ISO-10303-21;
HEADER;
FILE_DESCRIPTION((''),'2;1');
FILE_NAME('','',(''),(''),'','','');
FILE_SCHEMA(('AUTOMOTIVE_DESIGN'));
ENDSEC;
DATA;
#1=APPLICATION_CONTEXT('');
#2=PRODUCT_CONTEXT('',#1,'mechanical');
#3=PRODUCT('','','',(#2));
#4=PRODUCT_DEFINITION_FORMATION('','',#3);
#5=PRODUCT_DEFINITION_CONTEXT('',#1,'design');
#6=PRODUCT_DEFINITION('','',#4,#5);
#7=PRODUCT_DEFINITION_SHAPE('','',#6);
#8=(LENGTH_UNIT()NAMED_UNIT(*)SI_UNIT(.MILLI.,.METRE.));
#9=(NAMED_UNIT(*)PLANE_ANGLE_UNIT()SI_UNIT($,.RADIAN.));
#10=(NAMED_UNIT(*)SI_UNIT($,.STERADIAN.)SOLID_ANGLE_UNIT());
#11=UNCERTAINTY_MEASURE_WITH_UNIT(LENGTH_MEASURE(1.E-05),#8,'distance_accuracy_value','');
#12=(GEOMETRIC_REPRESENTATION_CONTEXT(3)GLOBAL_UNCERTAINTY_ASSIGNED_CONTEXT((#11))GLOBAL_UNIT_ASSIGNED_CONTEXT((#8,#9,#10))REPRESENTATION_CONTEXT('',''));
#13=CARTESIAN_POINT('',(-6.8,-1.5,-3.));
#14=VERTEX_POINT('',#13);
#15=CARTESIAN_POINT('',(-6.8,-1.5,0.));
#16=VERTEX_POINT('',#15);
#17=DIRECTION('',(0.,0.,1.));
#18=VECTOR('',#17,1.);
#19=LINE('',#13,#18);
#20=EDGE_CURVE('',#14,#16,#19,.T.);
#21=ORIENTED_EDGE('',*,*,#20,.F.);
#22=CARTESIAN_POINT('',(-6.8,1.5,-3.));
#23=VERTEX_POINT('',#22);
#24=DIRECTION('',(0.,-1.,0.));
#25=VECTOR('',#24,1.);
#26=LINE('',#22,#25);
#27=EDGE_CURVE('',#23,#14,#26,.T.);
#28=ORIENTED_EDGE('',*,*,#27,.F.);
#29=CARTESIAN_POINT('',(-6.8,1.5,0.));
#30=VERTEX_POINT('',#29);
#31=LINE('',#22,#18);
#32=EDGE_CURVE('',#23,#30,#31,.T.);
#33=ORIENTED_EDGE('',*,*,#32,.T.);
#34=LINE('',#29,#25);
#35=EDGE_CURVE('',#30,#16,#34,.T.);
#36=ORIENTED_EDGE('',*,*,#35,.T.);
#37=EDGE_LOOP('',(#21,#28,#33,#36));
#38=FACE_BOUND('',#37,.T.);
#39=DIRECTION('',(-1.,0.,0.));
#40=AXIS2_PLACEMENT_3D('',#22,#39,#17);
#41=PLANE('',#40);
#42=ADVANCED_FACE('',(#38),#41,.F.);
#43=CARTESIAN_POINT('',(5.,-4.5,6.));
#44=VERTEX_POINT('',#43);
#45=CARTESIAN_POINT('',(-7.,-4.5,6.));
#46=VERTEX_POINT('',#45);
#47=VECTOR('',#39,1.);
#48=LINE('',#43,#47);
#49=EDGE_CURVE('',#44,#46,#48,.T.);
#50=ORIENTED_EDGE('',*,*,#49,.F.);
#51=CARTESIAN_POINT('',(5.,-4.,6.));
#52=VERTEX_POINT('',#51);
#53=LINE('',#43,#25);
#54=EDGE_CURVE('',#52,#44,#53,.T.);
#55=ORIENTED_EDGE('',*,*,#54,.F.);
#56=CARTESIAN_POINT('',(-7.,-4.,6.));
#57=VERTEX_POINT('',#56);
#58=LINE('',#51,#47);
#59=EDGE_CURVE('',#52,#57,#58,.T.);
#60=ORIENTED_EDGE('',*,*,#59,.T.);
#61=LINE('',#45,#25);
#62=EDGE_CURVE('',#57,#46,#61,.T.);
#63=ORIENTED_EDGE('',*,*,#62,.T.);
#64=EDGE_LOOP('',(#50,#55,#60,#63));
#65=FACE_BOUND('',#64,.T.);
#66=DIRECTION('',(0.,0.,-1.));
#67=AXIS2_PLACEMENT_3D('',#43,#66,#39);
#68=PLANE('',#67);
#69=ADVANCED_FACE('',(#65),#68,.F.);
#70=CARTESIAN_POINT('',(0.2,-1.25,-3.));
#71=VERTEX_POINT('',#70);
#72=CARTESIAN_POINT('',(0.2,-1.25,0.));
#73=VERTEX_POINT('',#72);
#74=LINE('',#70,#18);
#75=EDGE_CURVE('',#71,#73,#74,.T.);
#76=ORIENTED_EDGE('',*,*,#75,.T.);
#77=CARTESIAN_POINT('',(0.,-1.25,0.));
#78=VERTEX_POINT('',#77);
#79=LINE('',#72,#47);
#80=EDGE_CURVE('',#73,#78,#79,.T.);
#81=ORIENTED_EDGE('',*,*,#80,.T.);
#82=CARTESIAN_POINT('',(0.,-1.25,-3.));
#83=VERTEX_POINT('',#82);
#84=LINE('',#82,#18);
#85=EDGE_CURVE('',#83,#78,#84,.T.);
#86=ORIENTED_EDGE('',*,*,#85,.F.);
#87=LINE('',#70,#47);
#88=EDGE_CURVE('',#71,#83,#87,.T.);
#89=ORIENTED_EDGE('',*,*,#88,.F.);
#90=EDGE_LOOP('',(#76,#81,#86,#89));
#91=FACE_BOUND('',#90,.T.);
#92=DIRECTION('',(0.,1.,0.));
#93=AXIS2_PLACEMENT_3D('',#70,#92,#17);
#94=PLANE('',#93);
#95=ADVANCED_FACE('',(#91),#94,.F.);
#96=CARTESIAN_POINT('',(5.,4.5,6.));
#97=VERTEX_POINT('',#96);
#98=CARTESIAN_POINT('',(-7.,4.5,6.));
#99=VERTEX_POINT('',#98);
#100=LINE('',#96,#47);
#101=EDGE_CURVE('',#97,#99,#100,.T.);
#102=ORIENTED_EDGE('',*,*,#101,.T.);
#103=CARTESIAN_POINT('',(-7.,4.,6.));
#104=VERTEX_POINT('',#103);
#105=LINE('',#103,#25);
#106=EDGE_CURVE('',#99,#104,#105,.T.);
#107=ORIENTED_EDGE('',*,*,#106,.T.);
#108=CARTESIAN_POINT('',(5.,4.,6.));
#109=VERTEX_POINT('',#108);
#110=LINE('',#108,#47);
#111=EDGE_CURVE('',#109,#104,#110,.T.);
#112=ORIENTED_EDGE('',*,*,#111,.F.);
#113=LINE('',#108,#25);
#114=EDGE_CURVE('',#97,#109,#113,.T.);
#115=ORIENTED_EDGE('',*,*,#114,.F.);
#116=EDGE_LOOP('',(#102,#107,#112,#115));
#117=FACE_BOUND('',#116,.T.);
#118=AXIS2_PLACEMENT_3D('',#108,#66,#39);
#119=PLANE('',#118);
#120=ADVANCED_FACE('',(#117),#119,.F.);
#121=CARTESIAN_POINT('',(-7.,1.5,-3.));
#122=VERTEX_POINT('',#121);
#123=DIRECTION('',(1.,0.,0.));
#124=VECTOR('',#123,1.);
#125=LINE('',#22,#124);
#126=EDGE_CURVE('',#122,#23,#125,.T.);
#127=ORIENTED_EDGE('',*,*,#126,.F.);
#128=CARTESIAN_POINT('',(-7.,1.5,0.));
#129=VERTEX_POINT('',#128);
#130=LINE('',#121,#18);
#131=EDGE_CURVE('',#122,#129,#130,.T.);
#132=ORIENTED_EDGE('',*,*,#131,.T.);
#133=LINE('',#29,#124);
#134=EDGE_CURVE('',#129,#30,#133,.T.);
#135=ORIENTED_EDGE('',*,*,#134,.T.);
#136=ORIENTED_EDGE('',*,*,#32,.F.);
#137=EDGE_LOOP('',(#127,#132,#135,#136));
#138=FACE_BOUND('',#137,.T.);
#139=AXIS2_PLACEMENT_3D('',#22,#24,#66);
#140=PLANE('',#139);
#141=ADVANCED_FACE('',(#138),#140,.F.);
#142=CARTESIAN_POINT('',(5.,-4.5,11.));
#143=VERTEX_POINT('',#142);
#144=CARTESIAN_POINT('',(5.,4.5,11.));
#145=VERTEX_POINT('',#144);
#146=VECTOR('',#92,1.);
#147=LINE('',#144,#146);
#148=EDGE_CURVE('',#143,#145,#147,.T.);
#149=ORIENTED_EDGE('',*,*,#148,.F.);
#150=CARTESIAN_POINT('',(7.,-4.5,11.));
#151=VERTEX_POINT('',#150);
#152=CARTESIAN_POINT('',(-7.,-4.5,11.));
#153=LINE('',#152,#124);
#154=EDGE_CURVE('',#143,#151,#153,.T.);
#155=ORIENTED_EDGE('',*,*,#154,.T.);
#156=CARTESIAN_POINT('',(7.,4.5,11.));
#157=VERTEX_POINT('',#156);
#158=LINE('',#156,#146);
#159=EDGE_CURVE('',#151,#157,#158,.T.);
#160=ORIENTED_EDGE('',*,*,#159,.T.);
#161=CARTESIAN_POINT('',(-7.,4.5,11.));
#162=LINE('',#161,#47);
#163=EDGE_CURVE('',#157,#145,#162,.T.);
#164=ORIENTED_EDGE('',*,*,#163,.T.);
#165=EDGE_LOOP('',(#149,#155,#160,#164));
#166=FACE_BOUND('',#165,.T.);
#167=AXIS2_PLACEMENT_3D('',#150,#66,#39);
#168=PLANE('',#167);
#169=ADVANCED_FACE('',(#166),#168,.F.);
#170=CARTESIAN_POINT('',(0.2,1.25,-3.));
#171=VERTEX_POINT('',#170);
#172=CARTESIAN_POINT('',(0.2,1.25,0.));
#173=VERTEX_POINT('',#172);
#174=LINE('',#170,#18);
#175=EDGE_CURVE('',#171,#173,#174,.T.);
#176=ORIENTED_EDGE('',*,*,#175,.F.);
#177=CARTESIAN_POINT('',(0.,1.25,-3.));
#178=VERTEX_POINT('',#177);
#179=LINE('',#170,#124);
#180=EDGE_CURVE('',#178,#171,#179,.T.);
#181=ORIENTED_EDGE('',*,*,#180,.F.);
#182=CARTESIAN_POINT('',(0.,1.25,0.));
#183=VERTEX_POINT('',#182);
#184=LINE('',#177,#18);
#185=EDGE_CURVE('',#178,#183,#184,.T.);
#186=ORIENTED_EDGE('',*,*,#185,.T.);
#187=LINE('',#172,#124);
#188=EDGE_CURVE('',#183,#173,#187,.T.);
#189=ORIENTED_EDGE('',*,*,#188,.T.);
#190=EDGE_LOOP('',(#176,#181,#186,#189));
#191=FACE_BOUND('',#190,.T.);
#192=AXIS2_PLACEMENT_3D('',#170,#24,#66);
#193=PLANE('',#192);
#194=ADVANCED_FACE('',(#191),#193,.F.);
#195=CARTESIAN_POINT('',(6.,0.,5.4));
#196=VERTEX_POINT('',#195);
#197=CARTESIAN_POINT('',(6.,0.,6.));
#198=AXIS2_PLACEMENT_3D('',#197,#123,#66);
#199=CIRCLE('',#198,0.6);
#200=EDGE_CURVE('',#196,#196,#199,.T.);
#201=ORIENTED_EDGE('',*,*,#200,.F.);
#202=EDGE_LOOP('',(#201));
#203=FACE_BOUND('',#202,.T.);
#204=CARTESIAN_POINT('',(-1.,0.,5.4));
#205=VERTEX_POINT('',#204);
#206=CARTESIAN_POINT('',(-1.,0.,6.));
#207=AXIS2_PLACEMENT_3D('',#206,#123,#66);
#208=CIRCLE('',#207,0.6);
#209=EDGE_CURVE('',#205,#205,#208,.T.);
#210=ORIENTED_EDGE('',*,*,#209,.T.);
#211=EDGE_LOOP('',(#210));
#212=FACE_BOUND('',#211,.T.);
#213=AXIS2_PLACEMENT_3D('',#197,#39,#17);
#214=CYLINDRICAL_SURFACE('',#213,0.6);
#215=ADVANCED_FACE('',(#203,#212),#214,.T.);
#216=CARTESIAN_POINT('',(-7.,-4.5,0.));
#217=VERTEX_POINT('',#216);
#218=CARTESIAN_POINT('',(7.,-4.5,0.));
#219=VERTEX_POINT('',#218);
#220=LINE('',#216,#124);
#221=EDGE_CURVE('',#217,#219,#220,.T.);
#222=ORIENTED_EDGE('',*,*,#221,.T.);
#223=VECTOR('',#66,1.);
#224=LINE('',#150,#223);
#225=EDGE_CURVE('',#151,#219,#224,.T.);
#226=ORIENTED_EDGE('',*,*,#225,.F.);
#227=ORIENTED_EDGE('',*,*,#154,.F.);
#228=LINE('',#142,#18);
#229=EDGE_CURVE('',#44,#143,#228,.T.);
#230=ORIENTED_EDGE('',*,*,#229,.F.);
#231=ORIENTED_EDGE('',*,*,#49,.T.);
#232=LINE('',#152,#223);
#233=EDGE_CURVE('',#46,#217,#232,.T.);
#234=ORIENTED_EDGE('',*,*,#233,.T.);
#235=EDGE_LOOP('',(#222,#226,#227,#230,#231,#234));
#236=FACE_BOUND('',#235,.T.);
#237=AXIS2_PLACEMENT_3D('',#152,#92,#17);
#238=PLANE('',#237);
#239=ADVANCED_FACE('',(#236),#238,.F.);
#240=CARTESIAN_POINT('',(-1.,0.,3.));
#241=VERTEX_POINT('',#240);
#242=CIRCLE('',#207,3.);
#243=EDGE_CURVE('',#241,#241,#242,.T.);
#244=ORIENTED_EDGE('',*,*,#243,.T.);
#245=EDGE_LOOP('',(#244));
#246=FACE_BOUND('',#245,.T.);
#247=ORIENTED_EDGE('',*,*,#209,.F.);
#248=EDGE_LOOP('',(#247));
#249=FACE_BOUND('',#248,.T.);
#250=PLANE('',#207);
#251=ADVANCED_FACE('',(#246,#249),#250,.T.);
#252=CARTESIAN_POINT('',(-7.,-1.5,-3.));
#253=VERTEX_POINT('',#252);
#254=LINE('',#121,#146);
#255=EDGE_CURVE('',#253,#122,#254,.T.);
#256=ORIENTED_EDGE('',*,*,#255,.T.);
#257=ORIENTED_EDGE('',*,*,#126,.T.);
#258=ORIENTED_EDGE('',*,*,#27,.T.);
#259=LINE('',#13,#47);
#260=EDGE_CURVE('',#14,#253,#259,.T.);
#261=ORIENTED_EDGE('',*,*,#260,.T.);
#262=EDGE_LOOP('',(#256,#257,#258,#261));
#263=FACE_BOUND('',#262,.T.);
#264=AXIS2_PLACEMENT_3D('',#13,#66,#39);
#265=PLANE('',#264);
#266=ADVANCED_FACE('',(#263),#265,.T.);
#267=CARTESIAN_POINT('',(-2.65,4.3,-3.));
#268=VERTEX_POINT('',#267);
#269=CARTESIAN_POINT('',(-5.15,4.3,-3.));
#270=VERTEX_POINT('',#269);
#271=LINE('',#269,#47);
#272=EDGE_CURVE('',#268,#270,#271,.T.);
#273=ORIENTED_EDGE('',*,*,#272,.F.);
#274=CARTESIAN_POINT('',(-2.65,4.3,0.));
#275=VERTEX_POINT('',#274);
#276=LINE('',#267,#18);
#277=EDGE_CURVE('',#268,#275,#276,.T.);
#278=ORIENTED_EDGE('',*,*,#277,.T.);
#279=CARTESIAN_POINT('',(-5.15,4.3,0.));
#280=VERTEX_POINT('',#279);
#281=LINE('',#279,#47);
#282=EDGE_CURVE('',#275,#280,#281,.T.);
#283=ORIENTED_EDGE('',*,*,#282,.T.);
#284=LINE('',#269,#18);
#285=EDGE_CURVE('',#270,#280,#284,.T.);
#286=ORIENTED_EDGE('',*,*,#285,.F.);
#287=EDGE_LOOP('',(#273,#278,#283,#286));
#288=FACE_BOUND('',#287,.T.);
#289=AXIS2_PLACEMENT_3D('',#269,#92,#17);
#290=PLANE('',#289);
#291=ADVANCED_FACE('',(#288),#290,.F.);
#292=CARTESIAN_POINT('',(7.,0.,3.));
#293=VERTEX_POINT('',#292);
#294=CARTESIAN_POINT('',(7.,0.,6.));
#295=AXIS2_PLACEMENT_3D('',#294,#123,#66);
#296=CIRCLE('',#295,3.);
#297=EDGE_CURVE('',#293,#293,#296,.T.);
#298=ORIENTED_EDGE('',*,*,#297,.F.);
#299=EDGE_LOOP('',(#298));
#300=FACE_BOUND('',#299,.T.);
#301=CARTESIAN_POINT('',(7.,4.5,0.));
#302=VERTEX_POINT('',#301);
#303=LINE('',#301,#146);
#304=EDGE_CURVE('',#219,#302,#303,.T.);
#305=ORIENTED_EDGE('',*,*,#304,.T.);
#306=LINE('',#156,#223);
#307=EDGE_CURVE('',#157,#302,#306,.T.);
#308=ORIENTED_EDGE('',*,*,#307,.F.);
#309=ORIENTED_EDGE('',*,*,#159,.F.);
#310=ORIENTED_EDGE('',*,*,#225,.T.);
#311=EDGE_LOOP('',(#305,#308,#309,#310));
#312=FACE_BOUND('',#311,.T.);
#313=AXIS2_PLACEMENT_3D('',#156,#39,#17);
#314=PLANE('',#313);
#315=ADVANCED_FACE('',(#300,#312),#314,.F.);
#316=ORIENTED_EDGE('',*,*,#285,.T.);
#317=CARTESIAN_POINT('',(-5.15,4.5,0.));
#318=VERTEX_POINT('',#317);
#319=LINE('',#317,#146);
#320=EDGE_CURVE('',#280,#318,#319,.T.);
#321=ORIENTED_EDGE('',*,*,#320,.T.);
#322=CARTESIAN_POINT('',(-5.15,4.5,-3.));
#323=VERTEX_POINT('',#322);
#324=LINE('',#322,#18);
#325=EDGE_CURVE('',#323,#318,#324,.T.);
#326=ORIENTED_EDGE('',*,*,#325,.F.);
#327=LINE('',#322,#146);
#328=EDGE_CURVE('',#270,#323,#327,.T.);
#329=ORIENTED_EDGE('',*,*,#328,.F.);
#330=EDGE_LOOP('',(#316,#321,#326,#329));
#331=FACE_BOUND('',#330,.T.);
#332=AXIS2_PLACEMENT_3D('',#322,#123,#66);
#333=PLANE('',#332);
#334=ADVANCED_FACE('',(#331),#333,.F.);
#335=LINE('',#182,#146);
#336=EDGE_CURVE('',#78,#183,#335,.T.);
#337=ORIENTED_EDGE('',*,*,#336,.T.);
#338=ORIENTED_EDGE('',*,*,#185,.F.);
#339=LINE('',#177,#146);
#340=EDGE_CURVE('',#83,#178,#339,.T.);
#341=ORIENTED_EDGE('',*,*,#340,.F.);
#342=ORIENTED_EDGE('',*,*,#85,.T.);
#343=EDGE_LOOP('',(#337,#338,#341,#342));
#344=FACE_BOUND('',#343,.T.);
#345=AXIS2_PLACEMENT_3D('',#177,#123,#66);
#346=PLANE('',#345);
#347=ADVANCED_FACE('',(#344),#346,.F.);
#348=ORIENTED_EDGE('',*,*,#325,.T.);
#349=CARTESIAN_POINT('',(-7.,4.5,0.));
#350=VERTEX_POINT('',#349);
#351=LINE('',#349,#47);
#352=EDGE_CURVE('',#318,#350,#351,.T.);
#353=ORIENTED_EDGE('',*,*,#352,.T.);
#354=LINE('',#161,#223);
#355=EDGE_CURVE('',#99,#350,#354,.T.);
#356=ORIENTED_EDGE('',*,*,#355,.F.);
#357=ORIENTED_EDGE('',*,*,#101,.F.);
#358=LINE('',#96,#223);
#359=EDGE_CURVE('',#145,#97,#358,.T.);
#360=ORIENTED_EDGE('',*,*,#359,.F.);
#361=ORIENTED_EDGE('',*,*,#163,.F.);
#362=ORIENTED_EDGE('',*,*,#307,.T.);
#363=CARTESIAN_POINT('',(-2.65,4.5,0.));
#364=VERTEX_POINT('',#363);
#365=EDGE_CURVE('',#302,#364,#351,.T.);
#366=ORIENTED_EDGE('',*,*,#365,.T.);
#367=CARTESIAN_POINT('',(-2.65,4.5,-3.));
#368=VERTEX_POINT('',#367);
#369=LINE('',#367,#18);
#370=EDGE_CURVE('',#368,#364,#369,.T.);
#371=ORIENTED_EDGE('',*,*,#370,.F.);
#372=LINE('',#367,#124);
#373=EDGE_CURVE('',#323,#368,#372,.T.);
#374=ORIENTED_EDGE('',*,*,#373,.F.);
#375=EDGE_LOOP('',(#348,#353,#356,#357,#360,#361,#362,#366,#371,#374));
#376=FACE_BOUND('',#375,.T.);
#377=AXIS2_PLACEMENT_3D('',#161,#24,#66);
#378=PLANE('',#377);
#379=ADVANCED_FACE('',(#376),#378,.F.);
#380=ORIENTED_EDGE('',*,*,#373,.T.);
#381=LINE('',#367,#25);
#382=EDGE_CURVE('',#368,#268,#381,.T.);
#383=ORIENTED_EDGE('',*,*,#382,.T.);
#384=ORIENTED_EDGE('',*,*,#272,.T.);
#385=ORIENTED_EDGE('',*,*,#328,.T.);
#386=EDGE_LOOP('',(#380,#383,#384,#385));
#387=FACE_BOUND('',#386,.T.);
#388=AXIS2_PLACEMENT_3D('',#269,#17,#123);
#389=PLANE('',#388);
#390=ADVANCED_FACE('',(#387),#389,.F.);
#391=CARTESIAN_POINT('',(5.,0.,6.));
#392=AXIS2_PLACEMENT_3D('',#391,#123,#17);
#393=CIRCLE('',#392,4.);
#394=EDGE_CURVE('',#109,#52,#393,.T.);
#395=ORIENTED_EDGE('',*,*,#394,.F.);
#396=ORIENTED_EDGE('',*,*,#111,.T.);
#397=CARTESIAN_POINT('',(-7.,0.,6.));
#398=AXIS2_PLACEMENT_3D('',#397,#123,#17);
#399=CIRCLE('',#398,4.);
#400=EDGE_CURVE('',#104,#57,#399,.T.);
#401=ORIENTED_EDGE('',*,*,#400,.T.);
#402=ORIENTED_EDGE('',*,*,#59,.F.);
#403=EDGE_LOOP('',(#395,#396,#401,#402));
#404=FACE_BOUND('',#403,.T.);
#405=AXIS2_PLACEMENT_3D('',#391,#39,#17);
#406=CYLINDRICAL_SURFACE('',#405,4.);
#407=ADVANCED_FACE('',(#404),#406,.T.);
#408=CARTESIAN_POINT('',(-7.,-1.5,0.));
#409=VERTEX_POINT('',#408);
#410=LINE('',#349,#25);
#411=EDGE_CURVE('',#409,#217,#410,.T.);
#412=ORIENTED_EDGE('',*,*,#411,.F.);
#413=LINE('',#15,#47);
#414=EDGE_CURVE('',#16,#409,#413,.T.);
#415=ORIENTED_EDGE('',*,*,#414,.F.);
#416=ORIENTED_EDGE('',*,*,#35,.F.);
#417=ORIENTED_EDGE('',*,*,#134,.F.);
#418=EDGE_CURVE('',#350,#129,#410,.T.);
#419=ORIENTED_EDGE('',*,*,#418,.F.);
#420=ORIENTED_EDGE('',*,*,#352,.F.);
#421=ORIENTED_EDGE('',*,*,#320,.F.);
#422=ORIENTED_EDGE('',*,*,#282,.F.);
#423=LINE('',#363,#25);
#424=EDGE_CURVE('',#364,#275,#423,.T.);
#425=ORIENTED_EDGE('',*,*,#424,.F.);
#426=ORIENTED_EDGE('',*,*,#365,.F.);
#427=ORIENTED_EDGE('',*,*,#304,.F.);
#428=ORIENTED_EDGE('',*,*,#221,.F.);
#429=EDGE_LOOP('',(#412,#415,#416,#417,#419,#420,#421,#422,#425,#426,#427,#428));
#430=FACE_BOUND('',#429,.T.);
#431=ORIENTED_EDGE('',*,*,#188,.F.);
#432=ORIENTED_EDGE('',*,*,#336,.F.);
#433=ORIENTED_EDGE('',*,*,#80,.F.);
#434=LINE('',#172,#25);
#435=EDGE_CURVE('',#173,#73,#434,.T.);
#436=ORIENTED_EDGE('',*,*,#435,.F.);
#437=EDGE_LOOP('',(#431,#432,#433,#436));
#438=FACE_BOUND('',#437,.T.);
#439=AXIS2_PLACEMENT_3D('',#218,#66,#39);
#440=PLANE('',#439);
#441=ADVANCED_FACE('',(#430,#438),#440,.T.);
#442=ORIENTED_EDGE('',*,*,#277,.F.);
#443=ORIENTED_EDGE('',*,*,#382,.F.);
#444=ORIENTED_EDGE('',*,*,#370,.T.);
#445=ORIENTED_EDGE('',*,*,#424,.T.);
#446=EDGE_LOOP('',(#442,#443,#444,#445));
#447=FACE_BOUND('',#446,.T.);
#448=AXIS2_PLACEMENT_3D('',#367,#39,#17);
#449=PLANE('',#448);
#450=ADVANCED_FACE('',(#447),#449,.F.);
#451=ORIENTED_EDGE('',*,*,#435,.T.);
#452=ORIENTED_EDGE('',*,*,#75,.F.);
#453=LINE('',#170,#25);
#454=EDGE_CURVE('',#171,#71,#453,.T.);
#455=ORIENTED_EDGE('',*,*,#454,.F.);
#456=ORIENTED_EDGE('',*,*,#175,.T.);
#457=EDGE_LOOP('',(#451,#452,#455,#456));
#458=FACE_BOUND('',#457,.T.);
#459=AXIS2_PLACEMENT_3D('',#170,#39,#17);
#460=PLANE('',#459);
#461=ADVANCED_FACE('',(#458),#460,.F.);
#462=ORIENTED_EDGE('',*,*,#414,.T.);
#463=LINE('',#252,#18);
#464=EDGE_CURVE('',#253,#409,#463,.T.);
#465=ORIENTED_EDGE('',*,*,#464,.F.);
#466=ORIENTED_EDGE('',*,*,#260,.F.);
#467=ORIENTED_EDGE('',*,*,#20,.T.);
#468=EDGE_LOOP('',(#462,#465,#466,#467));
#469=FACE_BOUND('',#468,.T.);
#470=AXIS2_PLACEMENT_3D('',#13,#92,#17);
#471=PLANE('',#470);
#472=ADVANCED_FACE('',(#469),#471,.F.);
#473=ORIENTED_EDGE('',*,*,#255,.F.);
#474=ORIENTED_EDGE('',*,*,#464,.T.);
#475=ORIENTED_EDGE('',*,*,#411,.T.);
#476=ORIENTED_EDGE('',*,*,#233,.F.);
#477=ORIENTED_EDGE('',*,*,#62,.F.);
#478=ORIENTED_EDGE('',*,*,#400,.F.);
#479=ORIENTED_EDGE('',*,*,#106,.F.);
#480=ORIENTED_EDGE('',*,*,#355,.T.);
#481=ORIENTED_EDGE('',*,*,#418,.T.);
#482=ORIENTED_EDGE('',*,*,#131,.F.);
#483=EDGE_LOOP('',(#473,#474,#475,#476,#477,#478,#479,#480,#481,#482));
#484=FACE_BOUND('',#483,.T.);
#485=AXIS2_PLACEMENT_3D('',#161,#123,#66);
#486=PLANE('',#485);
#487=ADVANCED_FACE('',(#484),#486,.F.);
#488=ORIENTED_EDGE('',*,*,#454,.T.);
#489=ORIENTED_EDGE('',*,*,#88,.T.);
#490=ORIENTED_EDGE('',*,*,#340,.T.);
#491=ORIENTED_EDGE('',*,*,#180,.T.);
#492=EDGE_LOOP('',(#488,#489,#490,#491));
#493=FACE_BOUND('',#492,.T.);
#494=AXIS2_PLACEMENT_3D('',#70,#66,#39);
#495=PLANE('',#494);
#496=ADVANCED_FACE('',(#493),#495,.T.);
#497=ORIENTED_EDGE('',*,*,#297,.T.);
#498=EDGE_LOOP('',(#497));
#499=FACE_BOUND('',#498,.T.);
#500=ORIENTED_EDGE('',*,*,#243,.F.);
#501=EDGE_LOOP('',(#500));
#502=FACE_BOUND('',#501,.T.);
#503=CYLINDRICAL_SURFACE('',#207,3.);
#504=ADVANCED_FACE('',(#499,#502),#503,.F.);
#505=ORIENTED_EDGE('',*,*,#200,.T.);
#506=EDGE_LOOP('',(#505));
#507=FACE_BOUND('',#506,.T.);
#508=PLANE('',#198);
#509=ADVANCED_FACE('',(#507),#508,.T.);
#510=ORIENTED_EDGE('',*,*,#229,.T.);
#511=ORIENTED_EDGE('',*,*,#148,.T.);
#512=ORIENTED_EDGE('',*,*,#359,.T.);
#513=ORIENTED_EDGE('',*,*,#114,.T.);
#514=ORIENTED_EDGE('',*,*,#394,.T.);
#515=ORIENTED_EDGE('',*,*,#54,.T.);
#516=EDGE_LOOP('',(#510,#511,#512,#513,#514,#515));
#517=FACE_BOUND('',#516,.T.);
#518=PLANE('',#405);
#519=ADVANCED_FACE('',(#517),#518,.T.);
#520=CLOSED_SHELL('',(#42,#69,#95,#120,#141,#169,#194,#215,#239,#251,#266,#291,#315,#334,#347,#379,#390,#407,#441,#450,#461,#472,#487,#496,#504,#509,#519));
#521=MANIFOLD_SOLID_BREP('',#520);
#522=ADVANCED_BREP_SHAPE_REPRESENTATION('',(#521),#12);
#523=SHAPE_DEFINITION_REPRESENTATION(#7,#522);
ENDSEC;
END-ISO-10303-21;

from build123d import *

# Parameters (mm, degrees)
SKETCH_1_W          = 14
SKETCH_1_H          = 9
EXTRUDE_1_DEPTH     = 11
SKETCH_3_R          = 3
CUT_EXTRUDE_1_DEPTH = 8
SKETCH_5_R          = 0.6
EXTRUDE_2_DEPTH     = 7
CUT_EXTRUDE_2_DEPTH = 12
SKETCH_7_W          = 0.2
SKETCH_7_H          = 3
SKETCH_7_H_2        = 2.5
SKETCH_7_W_2        = 2.5
SKETCH_7_H_3        = 0.2
EXTRUDE_3_DEPTH     = 3


with BuildPart() as part:
    # 草图1 → 凸台-拉伸1 (new body)
    with BuildSketch(Plane.XY):
        Rectangle(SKETCH_1_W, SKETCH_1_H)
    extrude(amount=EXTRUDE_1_DEPTH)

    # 草图3 → 切除-拉伸1 (cut)
    with BuildSketch(Plane(origin=(7, 0, 0), x_dir=(0, 0, -1), z_dir=(1, 0, 0))):
        with Locations((-6, 0)):
            Circle(SKETCH_3_R)
    extrude(amount=-CUT_EXTRUDE_1_DEPTH, mode=Mode.SUBTRACT)

    # 草图5 → 凸台-拉伸2 (add)
    with BuildSketch(Plane(origin=(-1, 0, 0), x_dir=(0, 0, -1), z_dir=(1, 0, 0))):
        with Locations((-6, 0)):
            Circle(SKETCH_5_R)
    extrude(amount=EXTRUDE_2_DEPTH)

    # 草图6 → 切除-拉伸2 (cut)
    with BuildSketch(Plane.ZY.offset(7)):
        with BuildLine():
            Line((6, 4), (6, 4.5))
            Line((6, 4.5), (11, 4.5))
            Line((11, 4.5), (11, -4.5))
            Line((11, -4.5), (6, -4.5))
            Line((6, -4.5), (6, -4))
            ThreePointArc((6, -4), (10, 0), (6, 4))
        make_face()
    extrude(amount=-CUT_EXTRUDE_2_DEPTH, mode=Mode.SUBTRACT)

    # 草图7 → 凸台-拉伸3 (add)
    with BuildSketch(Plane(origin=(0, 0, 0), x_dir=(-1, 0, 0), z_dir=(0, 0, -1))):
        with Locations((6.9, 0)):
            Rectangle(SKETCH_7_W, SKETCH_7_H)
        with Locations((-0.1, 0)):
            Rectangle(SKETCH_7_W, SKETCH_7_H_2)
        with Locations((3.9, 4.4)):
            Rectangle(SKETCH_7_W_2, SKETCH_7_H_3)
    extrude(amount=EXTRUDE_3_DEPTH)


solid = part.part
